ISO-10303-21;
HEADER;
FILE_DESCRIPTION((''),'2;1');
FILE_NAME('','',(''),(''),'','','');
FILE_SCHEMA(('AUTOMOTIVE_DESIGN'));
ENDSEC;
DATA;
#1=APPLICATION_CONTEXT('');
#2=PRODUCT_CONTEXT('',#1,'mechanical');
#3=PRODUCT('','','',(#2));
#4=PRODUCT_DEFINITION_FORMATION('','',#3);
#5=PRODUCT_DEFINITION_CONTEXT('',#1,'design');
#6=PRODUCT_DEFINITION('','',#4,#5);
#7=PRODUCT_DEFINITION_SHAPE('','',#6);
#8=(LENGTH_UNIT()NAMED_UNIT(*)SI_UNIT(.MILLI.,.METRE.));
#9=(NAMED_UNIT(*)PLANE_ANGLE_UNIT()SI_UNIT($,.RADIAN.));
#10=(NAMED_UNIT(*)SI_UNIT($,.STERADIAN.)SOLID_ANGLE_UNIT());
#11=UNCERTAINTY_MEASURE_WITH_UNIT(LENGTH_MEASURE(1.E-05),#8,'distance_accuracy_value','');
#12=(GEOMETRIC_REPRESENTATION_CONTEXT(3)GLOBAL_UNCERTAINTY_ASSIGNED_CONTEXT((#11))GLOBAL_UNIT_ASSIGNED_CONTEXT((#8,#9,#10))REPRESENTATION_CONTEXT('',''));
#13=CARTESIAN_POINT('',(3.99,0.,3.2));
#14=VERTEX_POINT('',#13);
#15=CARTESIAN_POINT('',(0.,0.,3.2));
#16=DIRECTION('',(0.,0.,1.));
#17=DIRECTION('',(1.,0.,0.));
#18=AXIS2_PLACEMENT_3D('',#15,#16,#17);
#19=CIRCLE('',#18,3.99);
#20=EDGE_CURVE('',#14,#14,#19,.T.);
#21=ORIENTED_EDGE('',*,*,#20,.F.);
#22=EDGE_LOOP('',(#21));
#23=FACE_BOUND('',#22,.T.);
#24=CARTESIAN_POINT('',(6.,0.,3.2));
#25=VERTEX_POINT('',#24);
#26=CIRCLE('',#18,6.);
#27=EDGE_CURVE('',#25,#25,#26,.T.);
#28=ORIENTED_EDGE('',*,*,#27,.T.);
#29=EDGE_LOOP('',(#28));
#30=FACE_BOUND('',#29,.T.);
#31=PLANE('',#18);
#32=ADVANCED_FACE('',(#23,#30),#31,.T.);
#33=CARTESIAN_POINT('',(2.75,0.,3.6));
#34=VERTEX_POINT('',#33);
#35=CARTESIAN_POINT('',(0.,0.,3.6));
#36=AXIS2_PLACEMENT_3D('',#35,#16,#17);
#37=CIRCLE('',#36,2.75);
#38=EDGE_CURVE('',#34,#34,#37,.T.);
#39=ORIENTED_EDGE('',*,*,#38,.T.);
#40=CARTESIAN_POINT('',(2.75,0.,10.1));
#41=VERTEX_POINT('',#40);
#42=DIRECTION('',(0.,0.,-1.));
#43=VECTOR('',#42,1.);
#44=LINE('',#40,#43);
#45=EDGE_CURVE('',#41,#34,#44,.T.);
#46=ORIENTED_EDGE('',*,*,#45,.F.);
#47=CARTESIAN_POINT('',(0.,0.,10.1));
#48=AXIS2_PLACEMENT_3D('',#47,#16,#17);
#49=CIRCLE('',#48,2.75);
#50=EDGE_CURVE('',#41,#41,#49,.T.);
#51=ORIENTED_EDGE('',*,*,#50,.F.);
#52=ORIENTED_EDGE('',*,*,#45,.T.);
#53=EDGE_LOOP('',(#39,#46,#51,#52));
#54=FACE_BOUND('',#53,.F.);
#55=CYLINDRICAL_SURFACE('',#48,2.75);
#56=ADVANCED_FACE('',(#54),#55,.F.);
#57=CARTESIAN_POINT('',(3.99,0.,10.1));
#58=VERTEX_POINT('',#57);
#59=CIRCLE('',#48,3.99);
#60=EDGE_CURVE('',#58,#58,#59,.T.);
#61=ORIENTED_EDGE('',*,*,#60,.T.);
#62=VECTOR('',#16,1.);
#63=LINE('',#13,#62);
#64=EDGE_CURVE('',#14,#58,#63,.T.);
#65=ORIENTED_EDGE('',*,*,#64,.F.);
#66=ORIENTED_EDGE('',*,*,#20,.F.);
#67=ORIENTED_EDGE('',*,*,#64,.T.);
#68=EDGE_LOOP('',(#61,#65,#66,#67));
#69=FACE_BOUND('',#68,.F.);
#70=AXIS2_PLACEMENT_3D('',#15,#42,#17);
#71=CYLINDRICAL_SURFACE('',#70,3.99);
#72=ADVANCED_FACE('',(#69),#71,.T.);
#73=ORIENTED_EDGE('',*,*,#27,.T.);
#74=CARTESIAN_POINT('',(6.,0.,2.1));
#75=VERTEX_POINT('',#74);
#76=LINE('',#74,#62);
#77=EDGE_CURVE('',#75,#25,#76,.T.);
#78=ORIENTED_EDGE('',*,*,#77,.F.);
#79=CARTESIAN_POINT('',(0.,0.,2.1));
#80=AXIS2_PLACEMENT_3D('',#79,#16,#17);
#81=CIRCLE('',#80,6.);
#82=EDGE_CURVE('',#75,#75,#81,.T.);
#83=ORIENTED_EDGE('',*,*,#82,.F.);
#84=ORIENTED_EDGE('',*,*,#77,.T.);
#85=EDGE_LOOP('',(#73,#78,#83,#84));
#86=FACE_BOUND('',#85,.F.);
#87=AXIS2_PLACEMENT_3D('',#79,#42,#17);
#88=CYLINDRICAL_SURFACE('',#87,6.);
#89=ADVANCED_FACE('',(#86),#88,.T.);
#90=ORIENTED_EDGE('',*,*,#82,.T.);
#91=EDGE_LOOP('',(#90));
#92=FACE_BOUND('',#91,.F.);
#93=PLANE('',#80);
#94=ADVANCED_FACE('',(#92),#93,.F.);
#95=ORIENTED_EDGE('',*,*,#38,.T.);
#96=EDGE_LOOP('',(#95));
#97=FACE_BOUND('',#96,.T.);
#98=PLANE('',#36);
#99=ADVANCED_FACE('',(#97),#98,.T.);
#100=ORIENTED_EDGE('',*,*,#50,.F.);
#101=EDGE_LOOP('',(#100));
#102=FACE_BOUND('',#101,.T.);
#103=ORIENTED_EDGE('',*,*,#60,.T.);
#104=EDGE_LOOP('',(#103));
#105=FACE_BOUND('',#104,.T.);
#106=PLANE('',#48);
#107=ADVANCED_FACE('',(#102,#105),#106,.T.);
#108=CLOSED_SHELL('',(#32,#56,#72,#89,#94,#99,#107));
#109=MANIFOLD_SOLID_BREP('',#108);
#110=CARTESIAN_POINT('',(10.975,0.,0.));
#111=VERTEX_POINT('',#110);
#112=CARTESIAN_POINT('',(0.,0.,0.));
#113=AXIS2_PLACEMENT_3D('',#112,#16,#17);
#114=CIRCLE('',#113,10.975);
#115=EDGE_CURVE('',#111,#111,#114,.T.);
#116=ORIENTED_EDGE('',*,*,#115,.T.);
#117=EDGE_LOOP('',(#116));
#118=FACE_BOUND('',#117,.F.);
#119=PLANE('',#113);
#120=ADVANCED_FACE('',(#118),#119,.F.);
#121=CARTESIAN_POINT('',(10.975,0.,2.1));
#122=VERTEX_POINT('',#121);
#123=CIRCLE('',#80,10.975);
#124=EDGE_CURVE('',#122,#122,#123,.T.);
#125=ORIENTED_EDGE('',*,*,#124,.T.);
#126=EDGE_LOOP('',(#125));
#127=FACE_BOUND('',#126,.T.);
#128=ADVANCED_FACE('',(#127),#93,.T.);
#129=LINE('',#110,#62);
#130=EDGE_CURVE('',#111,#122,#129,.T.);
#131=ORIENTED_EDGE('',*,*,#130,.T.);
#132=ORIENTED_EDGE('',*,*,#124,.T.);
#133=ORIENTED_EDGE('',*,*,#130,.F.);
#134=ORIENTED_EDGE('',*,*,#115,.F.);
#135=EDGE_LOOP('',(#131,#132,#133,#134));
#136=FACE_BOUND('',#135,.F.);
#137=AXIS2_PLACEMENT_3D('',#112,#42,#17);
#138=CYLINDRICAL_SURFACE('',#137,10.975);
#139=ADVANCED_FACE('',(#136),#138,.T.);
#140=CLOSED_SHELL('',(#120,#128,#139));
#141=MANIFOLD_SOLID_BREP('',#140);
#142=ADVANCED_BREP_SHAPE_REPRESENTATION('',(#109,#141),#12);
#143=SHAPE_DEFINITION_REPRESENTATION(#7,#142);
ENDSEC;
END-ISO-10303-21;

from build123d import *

# Parameters (mm, degrees)
F0_R     = 10.975
F1_DEPTH = 2.1
F2_R     = 6
F3_DEPTH = 1.1
F4_R     = 3.99
F5_DEPTH = 6.9
F6_R     = 2.75
F7_DEPTH = 6.5


with BuildPart() as f1:
    # F0 (on Top) → F1 (new body)
    with BuildSketch(Plane.XY):
        Circle(F0_R)
    extrude(amount=F1_DEPTH)


with BuildPart() as f3:
    # F2 (on face) → F3 (new body)
    with BuildSketch(Plane.XY.offset(2.1)):
        Circle(F2_R)
    extrude(amount=F3_DEPTH)

    # F4 (on face) → F5 (join)
    with BuildSketch(Plane.XY.offset(3.2)):
        Circle(F4_R)
    extrude(amount=F5_DEPTH)

    # F6 (on face) → F7 (cut)
    with BuildSketch(Plane.XY.offset(10.1)):
        Circle(F6_R)
    extrude(amount=-F7_DEPTH, mode=Mode.SUBTRACT)


solid = Compound([f1.part, f3.part])
